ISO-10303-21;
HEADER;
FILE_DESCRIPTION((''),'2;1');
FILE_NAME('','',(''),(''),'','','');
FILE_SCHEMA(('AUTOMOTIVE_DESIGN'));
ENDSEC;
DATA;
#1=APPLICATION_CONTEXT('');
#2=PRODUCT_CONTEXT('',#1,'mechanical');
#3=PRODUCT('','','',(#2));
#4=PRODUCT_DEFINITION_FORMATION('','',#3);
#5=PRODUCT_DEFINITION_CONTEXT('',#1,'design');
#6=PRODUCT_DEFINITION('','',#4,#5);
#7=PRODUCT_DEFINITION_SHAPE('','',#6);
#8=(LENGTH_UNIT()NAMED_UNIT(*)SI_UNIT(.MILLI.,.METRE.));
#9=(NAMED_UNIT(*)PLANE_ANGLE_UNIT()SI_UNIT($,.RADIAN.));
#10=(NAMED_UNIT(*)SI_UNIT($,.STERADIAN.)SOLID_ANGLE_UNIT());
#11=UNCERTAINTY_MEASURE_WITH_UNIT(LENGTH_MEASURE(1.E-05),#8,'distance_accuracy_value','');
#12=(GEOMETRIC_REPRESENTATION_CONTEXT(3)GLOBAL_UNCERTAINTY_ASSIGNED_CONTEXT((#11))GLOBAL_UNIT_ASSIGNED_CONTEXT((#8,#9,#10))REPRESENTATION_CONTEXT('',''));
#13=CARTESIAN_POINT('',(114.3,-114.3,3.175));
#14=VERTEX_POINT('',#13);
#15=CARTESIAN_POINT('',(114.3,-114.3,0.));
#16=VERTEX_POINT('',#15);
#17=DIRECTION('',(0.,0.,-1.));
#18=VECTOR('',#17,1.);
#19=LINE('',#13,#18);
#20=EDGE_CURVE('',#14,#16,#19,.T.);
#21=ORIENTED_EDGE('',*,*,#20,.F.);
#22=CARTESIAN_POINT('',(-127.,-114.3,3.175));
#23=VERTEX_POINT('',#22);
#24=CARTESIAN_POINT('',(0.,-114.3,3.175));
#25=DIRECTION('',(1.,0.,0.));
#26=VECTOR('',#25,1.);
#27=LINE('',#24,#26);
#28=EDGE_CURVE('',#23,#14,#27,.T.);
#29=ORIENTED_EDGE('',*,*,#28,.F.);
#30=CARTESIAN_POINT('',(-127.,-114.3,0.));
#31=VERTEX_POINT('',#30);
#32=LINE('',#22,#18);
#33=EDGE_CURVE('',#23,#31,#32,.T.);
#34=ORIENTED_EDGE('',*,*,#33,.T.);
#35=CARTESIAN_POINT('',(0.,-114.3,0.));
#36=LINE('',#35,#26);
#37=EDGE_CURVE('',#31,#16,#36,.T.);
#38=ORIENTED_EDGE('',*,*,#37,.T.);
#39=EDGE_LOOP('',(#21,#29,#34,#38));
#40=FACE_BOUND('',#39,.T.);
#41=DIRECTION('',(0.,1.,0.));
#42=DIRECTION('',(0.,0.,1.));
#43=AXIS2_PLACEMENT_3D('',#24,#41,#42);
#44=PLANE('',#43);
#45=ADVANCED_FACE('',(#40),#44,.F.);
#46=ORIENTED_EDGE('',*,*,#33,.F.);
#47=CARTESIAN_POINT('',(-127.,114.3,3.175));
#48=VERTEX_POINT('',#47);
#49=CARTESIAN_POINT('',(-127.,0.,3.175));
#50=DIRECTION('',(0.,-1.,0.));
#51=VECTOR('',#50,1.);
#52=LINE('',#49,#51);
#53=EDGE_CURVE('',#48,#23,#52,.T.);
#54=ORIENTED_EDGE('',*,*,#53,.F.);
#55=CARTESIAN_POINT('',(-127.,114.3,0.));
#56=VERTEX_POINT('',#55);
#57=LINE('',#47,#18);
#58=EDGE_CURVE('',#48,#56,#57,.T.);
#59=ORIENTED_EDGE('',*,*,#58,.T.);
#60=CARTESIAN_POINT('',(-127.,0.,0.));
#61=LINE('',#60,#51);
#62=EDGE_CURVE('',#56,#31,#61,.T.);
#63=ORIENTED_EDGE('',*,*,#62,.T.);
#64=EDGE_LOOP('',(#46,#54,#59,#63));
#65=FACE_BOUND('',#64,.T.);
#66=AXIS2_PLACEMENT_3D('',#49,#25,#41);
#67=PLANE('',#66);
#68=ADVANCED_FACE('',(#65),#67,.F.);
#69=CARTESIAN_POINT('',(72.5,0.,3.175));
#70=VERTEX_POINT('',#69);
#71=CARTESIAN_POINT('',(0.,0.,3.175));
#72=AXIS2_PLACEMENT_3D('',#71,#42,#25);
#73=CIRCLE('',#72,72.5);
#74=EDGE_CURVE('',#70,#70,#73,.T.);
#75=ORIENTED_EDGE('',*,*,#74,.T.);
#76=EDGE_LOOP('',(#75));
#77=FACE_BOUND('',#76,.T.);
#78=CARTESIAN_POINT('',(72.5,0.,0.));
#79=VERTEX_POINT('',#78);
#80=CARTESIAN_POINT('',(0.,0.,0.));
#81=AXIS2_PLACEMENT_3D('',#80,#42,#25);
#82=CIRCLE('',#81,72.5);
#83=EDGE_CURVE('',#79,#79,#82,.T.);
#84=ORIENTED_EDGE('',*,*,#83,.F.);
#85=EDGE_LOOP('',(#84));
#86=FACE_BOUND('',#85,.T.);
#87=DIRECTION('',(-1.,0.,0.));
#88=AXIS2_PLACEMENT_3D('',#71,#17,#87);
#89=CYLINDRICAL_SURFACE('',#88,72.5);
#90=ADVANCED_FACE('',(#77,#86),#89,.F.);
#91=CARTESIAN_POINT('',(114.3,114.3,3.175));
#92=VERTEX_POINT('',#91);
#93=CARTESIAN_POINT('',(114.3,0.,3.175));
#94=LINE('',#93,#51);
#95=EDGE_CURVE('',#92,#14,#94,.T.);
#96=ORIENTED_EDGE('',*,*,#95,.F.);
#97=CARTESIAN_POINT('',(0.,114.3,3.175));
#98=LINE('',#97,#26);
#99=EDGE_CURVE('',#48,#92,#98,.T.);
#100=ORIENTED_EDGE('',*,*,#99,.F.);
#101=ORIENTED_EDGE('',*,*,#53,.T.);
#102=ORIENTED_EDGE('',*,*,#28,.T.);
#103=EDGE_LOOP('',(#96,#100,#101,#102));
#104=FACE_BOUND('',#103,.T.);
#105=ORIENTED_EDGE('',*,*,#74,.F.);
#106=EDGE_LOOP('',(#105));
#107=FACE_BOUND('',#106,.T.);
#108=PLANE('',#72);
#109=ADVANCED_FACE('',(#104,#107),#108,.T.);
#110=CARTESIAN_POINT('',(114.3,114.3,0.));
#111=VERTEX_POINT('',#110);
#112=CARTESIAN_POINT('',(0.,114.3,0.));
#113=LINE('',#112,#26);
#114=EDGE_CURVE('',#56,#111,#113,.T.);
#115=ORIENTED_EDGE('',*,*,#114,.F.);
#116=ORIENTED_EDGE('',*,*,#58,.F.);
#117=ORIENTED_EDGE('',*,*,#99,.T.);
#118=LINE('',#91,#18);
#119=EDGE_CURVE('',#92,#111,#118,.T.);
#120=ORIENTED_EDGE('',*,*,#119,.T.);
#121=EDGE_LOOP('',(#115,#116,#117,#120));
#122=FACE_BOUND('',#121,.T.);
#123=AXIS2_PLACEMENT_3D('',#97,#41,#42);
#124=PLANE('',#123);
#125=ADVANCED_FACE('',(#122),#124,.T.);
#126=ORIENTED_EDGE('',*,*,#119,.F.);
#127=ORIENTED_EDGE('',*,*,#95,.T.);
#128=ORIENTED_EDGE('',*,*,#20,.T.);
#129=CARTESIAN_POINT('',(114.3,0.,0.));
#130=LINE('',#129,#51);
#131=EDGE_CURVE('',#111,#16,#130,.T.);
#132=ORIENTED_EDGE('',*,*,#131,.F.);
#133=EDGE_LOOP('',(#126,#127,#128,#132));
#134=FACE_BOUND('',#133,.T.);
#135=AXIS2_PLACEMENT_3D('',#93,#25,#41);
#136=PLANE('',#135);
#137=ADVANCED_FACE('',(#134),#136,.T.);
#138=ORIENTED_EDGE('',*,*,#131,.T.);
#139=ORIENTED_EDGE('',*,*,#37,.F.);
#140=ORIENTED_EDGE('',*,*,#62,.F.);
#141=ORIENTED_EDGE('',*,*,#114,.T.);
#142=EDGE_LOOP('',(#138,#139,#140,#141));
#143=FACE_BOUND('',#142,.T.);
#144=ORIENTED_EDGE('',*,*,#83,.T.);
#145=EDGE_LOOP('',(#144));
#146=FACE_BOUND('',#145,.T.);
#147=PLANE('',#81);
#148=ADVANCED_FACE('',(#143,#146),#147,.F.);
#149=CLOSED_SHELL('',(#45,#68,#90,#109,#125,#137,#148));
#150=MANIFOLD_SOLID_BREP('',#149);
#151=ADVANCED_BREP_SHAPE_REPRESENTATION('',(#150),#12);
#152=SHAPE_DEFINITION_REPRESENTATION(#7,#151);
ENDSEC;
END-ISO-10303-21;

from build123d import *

# Parameters (mm, degrees)
SKETCH2_W           = 241.3
SKETCH2_H           = 228.6
SKETCH2_R           = 100
SKETCH2_R_2         = 72.5
BOSS_EXTRUDE1_DEPTH = 3.175


with BuildPart() as part:
    # Sketch2 → Boss-Extrude1 (new body)
    # profile 1 of 2: a face of its own
    with BuildSketch(Plane.XY):
        with Locations((-6.35, 0)):
            Rectangle(SKETCH2_W, SKETCH2_H)
        Circle(SKETCH2_R, mode=Mode.SUBTRACT)
    # profile 2 of 2: a face of its own
    with BuildSketch(Plane.XY):
        Circle(SKETCH2_R)
        Circle(SKETCH2_R_2, mode=Mode.SUBTRACT)
    extrude(amount=BOSS_EXTRUDE1_DEPTH)


solid = part.part
